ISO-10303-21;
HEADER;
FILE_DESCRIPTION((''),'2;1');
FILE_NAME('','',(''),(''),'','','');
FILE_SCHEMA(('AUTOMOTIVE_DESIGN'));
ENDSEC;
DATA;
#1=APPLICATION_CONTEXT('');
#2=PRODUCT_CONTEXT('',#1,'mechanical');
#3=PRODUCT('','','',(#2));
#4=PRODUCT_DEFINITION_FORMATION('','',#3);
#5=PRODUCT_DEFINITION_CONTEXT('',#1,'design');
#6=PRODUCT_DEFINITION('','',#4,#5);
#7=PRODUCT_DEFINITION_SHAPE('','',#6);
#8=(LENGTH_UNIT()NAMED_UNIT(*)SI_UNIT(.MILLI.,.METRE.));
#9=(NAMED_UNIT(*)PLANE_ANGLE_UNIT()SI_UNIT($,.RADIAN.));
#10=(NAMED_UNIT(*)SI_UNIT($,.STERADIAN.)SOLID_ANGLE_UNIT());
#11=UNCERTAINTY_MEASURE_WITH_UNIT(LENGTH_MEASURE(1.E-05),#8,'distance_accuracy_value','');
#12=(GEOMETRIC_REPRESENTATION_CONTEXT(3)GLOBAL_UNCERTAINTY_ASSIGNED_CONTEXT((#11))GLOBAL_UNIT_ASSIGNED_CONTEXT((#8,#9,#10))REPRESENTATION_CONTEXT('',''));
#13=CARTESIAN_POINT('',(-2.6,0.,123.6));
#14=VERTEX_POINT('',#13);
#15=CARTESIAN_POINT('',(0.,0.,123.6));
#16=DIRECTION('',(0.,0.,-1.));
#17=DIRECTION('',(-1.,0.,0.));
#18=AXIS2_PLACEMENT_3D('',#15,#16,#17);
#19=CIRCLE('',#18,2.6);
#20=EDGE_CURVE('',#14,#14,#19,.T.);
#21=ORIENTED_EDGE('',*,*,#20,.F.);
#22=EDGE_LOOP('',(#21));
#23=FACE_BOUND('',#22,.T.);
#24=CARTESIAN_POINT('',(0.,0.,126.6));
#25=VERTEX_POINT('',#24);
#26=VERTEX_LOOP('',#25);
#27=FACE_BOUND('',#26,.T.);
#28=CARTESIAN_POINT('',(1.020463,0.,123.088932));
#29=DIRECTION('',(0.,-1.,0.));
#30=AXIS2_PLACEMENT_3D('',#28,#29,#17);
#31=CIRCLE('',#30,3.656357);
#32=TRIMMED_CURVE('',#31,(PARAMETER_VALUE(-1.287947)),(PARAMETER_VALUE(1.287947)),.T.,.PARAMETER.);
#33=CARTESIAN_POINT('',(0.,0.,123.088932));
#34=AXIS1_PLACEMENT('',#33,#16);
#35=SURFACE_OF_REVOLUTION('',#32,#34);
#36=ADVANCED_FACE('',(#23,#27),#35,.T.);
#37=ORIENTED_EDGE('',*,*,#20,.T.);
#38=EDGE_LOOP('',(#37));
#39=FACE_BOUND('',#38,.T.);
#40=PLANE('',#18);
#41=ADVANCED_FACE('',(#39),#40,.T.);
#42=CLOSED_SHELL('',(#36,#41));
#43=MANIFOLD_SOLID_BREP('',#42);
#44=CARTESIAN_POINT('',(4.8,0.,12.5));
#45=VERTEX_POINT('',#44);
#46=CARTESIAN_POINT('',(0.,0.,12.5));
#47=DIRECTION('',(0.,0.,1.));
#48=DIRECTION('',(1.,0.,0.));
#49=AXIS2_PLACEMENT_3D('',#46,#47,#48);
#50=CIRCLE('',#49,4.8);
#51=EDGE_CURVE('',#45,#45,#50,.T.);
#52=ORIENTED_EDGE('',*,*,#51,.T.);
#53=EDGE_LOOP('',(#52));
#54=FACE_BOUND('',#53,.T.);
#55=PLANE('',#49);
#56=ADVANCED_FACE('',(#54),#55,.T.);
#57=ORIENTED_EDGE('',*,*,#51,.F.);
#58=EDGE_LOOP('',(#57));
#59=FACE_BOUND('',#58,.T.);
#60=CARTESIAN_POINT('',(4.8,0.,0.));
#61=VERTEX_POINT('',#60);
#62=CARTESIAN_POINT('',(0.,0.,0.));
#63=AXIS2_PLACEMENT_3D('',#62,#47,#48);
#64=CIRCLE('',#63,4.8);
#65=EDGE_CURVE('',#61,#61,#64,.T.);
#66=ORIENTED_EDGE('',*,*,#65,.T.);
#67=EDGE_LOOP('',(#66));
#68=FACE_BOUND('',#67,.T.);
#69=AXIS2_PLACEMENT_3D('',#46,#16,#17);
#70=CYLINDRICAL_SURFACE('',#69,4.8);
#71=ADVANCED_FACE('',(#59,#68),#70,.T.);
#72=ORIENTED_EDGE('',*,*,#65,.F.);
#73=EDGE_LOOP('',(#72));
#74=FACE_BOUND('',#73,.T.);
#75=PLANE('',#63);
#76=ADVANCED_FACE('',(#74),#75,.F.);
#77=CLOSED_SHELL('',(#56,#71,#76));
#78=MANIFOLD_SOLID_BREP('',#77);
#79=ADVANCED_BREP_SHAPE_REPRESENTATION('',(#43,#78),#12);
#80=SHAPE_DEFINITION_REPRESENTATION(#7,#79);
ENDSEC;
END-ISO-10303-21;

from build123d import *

# Parameters (mm, degrees)
SKETCH_1_R      = 4.8
EXTRUDE_1_DEPTH = 12.5


with BuildPart() as part:
    # 草圖1 → 填料-伸長1 (new body)
    with BuildSketch(Plane.XY):
        Circle(SKETCH_1_R)
    extrude(amount=EXTRUDE_1_DEPTH)


with BuildPart() as body_2:
    # 草圖6 → 旋轉3 (revolve)
    with BuildSketch(Plane(origin=(0, 0, 0), x_dir=(1, 0, 0), z_dir=(0, 1, 0))):
        with BuildLine():
            Line((0, -126.6), (0, -123.6))
            Line((0, -123.6), (-2.6, -123.6))
            ThreePointArc((-2.6, -123.6), (-1.742605658, -125.48359157), (0, -126.6))
        make_face()
    revolve(axis=Axis((0, 0, 123.6), (0, 0, 1)))


solid = Compound([part.part, body_2.part])
